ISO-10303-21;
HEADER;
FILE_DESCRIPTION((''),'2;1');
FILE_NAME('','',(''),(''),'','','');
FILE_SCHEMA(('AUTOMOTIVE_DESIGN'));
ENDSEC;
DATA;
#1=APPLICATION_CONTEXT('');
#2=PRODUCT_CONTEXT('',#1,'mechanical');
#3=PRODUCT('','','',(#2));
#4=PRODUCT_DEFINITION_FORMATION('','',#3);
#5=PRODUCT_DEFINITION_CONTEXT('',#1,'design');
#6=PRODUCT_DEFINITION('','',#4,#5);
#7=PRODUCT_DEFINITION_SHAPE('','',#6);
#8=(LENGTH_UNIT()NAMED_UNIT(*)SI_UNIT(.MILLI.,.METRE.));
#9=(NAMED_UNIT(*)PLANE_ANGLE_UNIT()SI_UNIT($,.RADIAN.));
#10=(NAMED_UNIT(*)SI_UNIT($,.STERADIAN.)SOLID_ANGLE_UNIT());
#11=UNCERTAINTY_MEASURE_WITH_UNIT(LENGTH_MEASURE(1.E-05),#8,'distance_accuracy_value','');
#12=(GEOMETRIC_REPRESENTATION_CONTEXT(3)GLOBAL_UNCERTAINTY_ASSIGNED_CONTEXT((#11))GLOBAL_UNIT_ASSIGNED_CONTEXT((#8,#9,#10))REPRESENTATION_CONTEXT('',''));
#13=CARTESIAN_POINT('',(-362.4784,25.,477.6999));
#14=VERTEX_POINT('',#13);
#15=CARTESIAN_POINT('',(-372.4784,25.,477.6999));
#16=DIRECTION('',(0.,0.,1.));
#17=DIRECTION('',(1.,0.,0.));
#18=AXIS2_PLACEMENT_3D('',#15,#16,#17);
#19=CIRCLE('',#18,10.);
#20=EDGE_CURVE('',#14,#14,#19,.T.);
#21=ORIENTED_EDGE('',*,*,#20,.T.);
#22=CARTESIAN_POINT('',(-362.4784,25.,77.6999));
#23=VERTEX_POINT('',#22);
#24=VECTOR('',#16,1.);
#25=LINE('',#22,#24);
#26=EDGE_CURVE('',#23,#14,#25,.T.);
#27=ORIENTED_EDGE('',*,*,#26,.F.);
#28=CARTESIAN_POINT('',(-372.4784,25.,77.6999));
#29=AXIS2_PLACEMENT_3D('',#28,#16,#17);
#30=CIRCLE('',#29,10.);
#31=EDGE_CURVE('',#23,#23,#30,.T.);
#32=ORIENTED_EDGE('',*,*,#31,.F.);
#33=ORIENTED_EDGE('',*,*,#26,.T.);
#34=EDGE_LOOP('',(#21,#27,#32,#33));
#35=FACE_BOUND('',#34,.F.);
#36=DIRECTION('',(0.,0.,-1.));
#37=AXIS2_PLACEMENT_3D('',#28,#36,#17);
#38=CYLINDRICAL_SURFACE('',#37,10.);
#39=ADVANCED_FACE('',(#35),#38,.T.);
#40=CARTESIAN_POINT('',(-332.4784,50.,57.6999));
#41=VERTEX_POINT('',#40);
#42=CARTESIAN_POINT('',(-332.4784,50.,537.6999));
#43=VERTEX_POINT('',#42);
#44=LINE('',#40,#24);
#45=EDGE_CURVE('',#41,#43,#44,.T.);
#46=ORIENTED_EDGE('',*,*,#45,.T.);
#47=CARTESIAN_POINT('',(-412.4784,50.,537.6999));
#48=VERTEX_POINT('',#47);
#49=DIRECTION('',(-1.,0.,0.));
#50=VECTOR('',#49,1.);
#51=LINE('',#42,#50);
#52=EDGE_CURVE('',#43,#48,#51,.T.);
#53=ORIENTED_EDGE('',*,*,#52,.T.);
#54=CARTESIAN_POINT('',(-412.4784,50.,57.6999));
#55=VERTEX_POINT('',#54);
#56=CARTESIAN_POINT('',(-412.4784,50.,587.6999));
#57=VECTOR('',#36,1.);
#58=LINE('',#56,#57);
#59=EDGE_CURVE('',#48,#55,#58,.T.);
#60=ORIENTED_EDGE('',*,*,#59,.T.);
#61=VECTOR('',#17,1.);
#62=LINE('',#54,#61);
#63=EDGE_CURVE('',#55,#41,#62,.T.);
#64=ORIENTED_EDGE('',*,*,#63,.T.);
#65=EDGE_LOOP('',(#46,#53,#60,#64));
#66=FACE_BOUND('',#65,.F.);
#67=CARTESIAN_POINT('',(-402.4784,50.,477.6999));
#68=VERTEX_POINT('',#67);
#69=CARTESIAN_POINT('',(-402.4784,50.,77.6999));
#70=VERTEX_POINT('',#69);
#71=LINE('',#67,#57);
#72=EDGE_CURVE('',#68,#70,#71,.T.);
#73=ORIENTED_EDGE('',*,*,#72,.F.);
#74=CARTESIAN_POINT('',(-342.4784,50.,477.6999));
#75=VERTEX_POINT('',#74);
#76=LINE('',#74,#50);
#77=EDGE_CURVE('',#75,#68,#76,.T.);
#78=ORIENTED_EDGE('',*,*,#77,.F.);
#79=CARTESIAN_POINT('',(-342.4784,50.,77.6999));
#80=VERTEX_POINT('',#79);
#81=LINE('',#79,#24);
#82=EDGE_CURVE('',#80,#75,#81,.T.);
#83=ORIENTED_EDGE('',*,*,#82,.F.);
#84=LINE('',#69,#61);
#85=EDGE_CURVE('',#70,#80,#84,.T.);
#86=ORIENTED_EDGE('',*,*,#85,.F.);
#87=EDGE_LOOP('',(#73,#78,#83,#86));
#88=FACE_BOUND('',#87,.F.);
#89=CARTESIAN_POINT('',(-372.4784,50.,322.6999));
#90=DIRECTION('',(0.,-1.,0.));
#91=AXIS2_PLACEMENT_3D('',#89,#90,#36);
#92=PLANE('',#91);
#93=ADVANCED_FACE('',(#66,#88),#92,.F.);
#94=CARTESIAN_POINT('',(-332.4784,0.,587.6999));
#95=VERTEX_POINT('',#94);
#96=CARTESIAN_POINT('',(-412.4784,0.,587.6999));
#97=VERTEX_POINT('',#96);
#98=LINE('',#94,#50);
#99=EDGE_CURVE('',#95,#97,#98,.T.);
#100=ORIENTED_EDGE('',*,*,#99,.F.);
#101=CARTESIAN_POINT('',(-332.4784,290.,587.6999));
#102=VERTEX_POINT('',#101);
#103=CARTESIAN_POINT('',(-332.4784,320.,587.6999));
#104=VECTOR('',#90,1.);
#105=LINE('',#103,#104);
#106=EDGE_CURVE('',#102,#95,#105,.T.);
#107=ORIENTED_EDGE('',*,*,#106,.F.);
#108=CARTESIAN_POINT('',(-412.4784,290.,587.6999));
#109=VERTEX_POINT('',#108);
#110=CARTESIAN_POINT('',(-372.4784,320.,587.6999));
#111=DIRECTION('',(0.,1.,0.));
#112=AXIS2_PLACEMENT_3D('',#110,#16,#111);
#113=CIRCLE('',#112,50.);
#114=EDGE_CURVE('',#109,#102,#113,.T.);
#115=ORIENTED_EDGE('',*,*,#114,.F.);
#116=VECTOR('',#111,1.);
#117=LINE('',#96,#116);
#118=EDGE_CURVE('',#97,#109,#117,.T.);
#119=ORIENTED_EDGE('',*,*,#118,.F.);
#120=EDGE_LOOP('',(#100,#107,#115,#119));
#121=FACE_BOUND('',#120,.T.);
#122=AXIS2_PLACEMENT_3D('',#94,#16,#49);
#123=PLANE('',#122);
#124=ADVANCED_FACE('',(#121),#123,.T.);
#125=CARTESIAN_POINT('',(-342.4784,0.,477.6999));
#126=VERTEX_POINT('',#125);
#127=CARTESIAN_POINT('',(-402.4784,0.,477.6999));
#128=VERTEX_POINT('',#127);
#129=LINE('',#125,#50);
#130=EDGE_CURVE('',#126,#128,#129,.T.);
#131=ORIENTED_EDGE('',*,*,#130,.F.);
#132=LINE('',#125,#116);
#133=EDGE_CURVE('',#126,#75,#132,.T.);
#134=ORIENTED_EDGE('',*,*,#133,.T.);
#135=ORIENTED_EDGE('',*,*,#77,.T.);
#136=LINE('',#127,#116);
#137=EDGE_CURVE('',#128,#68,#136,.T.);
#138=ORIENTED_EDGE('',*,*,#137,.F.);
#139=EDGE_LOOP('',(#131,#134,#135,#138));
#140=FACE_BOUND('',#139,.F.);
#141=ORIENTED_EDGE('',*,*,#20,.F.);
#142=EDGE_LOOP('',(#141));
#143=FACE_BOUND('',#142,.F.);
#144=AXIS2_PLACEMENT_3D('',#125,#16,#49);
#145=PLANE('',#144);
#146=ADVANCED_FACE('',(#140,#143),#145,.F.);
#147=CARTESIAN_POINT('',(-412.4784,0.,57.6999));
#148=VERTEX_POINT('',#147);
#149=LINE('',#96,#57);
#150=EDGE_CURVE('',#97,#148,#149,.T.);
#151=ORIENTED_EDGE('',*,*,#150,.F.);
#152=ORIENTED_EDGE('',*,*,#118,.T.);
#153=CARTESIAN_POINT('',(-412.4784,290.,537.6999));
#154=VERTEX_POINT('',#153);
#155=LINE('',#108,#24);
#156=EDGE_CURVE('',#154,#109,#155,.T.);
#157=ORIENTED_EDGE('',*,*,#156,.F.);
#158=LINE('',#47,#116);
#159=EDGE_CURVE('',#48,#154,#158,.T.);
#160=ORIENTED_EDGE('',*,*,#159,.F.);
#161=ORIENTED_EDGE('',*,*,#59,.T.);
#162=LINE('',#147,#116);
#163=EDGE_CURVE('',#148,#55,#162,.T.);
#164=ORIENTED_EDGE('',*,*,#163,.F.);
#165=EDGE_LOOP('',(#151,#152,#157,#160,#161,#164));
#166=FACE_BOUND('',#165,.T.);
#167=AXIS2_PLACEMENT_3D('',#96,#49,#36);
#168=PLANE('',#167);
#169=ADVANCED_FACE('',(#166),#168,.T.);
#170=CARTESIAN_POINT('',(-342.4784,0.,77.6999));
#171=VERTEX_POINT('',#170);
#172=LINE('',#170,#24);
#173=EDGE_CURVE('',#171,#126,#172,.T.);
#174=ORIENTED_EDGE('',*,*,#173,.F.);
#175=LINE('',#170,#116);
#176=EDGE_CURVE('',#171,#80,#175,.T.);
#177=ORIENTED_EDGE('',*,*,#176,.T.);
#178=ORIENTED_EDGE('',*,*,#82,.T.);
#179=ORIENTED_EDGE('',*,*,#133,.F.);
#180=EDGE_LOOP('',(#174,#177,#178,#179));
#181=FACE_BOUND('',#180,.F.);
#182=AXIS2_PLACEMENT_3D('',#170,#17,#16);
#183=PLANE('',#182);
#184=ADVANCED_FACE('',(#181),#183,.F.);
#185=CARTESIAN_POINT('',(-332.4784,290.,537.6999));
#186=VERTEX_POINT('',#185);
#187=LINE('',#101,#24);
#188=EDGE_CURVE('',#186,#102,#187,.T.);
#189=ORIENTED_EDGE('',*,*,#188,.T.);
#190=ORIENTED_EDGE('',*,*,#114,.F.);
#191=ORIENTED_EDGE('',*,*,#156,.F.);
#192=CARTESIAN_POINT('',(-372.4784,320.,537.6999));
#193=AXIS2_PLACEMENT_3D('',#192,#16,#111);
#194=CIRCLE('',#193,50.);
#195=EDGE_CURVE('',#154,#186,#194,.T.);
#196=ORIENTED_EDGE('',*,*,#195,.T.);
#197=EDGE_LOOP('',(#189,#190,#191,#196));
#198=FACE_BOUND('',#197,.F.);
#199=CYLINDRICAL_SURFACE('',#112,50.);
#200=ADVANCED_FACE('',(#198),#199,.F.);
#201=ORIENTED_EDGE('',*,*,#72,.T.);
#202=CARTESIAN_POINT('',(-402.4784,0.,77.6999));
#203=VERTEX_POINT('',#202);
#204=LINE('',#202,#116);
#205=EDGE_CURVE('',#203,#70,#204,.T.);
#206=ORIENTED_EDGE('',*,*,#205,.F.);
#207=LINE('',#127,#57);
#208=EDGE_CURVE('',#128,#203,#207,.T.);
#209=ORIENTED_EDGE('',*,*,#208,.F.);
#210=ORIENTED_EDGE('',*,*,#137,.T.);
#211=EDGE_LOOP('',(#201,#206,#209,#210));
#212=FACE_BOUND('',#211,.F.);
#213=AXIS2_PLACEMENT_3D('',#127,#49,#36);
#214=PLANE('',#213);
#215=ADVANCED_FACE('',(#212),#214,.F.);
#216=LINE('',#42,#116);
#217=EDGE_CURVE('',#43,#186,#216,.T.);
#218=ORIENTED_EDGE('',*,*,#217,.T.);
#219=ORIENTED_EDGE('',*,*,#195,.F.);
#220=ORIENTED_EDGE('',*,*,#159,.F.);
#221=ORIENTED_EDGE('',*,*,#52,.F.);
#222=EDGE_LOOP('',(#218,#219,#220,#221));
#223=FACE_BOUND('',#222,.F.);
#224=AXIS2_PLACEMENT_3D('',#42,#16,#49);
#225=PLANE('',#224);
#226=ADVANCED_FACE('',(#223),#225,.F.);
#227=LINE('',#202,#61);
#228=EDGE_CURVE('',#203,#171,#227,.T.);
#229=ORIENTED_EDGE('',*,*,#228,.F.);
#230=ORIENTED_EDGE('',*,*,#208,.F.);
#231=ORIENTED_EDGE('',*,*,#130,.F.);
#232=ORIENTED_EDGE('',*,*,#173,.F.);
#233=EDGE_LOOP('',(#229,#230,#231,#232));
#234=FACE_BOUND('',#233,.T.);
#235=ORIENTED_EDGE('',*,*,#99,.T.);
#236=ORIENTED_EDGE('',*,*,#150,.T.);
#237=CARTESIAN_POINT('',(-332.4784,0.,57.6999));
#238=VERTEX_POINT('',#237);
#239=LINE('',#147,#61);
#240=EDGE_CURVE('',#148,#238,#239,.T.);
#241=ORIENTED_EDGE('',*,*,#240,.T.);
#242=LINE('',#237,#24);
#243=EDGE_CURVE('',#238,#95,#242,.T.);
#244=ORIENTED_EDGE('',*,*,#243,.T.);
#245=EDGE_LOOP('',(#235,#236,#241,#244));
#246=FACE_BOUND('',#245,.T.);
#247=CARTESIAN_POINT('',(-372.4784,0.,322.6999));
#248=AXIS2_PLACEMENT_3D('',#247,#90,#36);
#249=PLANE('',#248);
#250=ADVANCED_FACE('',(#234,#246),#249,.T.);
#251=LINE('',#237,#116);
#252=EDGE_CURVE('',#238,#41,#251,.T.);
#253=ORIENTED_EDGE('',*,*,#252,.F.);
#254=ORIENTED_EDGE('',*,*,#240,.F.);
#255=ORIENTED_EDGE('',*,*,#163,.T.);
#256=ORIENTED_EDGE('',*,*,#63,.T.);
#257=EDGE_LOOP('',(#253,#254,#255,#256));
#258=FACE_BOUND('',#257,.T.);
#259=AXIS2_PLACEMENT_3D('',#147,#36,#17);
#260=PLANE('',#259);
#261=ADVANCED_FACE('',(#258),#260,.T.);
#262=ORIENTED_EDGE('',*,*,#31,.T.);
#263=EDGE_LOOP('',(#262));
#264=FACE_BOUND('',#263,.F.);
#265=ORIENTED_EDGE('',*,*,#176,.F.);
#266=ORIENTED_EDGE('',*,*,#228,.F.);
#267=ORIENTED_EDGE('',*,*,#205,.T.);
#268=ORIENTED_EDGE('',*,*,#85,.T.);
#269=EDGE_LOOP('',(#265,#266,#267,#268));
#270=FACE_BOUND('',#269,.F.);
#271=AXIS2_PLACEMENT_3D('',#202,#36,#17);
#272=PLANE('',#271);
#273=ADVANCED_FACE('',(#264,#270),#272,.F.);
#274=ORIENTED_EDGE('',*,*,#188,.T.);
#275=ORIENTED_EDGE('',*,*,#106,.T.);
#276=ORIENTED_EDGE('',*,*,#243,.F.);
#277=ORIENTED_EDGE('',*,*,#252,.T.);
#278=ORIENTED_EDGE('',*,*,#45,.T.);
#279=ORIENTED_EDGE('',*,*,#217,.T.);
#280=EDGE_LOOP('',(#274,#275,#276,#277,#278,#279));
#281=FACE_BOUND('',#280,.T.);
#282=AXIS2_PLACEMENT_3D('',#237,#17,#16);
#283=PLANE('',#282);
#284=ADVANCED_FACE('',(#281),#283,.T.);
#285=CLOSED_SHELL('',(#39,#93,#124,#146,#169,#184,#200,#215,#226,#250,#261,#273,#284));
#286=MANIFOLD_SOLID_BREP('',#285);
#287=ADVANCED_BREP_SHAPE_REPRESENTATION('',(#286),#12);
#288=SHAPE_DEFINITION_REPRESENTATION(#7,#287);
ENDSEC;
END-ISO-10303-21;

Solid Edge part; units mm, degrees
sketch "Sketch1" plane through (0, 0, 0) normal (0, -1, 0) x (1, 0, 0)
  line L0 (-402.4784, 77.6999) -> (-342.4784, 77.6999)
  line L1 (-342.4784, 77.6999) -> (-342.4784, 477.6999)
  line L2 (-342.4784, 477.6999) -> (-402.4784, 477.6999)
  line L3 (-402.4784, 477.6999) -> (-402.4784, 77.6999)
  line L4 (-412.4784, 57.6999) -> (-332.4784, 57.6999)
  line L5 (-332.4784, 57.6999) -> (-332.4784, 587.6999)
  line L6 (-332.4784, 587.6999) -> (-412.4784, 587.6999)
  line L7 (-412.4784, 587.6999) -> (-412.4784, 57.6999)
  dimension "D1" = 400
  dimension "D2" = 60
  dimension "D3" = 80
  dimension "D4" = 530
  dimension "D5" = 20
extrude "Protrusion1" add sketch "Sketch1" against normal blind 50
sketch "Sketch2" plane through (-372.4784, 25, 77.6999) normal (0, 0, 1) x (1, 0, 0)
  circle A0 centre (0, 0) radius 10
extrude "Protrusion2" add sketch "Sketch2" along normal up to surface (400 mm away)
sketch "Sketch3" plane through (-372.4784, 50, 247.6999) normal (0, 1, 0) x (0, 0, 1)
  line L0 (290, -40) -> (340, -40)
  line L1 (340, -40) -> (340, 40)
  line L2 (340, 40) -> (290, 40)
  line L3 (290, 40) -> (290, -40)
  dimension "D1" = 80
  dimension "D2" = 50
  dimension "D3" = 50
extrude "ExtrudedProtrusion_3" add sketch "Sketch3" along normal blind 270
sketch "Sketch4" plane through (-372.4784, 310, 587.6999) normal (0, 0, 1) x (0, 1, 0)
  circle A0 centre (10, 0) radius 50
extrude "Cutout1" cut sketch "Sketch4" against normal through all
